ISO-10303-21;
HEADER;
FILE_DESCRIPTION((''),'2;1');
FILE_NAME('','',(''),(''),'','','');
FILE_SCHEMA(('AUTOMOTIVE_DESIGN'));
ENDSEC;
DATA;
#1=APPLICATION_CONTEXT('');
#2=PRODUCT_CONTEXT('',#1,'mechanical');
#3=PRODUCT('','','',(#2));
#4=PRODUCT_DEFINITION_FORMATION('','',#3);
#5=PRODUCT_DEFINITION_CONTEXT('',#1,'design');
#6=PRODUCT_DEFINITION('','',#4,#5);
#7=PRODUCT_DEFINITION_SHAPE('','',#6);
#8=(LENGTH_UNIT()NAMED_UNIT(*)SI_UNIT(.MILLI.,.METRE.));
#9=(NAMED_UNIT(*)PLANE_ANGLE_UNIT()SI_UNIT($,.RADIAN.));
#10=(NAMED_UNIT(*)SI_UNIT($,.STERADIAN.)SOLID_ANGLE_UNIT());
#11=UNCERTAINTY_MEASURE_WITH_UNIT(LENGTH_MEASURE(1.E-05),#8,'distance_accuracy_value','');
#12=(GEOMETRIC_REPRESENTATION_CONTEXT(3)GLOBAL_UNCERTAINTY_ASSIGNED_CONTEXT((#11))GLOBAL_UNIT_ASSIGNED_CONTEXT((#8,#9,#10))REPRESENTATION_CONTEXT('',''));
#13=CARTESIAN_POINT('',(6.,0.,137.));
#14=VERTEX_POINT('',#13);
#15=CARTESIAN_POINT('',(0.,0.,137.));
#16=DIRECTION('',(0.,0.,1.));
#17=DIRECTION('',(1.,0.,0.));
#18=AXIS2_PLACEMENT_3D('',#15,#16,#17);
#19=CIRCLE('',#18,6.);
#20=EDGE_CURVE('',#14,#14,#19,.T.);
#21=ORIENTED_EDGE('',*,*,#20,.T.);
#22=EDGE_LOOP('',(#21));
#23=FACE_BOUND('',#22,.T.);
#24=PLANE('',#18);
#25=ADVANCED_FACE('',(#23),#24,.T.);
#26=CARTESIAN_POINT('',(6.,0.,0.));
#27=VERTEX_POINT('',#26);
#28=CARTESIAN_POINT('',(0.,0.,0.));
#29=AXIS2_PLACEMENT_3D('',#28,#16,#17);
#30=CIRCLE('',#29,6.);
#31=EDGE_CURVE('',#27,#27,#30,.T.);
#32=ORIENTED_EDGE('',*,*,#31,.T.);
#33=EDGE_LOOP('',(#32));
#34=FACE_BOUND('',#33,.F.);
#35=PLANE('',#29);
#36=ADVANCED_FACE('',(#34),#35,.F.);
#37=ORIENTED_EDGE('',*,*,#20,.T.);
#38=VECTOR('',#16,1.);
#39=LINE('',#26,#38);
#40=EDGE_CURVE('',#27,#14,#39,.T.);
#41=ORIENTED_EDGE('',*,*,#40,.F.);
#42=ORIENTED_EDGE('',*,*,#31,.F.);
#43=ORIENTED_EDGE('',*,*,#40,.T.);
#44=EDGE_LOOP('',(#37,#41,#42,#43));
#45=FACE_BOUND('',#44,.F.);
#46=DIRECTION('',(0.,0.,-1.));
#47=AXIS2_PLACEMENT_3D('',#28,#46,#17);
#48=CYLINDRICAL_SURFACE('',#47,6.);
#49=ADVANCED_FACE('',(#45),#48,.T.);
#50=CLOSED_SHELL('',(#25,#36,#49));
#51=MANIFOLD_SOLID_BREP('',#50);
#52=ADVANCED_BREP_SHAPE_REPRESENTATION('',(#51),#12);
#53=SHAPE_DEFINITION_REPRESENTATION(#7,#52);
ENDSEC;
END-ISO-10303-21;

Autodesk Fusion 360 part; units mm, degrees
sketch "Skizze1" plane through (0, 0, 0) normal (0, 0, 1) x (1, 0, 0)
  circle A0 centre (0, 0) radius 6
  dimension "d1" = 12
extrude "Extrusion1" add sketch "Skizze1" along normal blind 137
